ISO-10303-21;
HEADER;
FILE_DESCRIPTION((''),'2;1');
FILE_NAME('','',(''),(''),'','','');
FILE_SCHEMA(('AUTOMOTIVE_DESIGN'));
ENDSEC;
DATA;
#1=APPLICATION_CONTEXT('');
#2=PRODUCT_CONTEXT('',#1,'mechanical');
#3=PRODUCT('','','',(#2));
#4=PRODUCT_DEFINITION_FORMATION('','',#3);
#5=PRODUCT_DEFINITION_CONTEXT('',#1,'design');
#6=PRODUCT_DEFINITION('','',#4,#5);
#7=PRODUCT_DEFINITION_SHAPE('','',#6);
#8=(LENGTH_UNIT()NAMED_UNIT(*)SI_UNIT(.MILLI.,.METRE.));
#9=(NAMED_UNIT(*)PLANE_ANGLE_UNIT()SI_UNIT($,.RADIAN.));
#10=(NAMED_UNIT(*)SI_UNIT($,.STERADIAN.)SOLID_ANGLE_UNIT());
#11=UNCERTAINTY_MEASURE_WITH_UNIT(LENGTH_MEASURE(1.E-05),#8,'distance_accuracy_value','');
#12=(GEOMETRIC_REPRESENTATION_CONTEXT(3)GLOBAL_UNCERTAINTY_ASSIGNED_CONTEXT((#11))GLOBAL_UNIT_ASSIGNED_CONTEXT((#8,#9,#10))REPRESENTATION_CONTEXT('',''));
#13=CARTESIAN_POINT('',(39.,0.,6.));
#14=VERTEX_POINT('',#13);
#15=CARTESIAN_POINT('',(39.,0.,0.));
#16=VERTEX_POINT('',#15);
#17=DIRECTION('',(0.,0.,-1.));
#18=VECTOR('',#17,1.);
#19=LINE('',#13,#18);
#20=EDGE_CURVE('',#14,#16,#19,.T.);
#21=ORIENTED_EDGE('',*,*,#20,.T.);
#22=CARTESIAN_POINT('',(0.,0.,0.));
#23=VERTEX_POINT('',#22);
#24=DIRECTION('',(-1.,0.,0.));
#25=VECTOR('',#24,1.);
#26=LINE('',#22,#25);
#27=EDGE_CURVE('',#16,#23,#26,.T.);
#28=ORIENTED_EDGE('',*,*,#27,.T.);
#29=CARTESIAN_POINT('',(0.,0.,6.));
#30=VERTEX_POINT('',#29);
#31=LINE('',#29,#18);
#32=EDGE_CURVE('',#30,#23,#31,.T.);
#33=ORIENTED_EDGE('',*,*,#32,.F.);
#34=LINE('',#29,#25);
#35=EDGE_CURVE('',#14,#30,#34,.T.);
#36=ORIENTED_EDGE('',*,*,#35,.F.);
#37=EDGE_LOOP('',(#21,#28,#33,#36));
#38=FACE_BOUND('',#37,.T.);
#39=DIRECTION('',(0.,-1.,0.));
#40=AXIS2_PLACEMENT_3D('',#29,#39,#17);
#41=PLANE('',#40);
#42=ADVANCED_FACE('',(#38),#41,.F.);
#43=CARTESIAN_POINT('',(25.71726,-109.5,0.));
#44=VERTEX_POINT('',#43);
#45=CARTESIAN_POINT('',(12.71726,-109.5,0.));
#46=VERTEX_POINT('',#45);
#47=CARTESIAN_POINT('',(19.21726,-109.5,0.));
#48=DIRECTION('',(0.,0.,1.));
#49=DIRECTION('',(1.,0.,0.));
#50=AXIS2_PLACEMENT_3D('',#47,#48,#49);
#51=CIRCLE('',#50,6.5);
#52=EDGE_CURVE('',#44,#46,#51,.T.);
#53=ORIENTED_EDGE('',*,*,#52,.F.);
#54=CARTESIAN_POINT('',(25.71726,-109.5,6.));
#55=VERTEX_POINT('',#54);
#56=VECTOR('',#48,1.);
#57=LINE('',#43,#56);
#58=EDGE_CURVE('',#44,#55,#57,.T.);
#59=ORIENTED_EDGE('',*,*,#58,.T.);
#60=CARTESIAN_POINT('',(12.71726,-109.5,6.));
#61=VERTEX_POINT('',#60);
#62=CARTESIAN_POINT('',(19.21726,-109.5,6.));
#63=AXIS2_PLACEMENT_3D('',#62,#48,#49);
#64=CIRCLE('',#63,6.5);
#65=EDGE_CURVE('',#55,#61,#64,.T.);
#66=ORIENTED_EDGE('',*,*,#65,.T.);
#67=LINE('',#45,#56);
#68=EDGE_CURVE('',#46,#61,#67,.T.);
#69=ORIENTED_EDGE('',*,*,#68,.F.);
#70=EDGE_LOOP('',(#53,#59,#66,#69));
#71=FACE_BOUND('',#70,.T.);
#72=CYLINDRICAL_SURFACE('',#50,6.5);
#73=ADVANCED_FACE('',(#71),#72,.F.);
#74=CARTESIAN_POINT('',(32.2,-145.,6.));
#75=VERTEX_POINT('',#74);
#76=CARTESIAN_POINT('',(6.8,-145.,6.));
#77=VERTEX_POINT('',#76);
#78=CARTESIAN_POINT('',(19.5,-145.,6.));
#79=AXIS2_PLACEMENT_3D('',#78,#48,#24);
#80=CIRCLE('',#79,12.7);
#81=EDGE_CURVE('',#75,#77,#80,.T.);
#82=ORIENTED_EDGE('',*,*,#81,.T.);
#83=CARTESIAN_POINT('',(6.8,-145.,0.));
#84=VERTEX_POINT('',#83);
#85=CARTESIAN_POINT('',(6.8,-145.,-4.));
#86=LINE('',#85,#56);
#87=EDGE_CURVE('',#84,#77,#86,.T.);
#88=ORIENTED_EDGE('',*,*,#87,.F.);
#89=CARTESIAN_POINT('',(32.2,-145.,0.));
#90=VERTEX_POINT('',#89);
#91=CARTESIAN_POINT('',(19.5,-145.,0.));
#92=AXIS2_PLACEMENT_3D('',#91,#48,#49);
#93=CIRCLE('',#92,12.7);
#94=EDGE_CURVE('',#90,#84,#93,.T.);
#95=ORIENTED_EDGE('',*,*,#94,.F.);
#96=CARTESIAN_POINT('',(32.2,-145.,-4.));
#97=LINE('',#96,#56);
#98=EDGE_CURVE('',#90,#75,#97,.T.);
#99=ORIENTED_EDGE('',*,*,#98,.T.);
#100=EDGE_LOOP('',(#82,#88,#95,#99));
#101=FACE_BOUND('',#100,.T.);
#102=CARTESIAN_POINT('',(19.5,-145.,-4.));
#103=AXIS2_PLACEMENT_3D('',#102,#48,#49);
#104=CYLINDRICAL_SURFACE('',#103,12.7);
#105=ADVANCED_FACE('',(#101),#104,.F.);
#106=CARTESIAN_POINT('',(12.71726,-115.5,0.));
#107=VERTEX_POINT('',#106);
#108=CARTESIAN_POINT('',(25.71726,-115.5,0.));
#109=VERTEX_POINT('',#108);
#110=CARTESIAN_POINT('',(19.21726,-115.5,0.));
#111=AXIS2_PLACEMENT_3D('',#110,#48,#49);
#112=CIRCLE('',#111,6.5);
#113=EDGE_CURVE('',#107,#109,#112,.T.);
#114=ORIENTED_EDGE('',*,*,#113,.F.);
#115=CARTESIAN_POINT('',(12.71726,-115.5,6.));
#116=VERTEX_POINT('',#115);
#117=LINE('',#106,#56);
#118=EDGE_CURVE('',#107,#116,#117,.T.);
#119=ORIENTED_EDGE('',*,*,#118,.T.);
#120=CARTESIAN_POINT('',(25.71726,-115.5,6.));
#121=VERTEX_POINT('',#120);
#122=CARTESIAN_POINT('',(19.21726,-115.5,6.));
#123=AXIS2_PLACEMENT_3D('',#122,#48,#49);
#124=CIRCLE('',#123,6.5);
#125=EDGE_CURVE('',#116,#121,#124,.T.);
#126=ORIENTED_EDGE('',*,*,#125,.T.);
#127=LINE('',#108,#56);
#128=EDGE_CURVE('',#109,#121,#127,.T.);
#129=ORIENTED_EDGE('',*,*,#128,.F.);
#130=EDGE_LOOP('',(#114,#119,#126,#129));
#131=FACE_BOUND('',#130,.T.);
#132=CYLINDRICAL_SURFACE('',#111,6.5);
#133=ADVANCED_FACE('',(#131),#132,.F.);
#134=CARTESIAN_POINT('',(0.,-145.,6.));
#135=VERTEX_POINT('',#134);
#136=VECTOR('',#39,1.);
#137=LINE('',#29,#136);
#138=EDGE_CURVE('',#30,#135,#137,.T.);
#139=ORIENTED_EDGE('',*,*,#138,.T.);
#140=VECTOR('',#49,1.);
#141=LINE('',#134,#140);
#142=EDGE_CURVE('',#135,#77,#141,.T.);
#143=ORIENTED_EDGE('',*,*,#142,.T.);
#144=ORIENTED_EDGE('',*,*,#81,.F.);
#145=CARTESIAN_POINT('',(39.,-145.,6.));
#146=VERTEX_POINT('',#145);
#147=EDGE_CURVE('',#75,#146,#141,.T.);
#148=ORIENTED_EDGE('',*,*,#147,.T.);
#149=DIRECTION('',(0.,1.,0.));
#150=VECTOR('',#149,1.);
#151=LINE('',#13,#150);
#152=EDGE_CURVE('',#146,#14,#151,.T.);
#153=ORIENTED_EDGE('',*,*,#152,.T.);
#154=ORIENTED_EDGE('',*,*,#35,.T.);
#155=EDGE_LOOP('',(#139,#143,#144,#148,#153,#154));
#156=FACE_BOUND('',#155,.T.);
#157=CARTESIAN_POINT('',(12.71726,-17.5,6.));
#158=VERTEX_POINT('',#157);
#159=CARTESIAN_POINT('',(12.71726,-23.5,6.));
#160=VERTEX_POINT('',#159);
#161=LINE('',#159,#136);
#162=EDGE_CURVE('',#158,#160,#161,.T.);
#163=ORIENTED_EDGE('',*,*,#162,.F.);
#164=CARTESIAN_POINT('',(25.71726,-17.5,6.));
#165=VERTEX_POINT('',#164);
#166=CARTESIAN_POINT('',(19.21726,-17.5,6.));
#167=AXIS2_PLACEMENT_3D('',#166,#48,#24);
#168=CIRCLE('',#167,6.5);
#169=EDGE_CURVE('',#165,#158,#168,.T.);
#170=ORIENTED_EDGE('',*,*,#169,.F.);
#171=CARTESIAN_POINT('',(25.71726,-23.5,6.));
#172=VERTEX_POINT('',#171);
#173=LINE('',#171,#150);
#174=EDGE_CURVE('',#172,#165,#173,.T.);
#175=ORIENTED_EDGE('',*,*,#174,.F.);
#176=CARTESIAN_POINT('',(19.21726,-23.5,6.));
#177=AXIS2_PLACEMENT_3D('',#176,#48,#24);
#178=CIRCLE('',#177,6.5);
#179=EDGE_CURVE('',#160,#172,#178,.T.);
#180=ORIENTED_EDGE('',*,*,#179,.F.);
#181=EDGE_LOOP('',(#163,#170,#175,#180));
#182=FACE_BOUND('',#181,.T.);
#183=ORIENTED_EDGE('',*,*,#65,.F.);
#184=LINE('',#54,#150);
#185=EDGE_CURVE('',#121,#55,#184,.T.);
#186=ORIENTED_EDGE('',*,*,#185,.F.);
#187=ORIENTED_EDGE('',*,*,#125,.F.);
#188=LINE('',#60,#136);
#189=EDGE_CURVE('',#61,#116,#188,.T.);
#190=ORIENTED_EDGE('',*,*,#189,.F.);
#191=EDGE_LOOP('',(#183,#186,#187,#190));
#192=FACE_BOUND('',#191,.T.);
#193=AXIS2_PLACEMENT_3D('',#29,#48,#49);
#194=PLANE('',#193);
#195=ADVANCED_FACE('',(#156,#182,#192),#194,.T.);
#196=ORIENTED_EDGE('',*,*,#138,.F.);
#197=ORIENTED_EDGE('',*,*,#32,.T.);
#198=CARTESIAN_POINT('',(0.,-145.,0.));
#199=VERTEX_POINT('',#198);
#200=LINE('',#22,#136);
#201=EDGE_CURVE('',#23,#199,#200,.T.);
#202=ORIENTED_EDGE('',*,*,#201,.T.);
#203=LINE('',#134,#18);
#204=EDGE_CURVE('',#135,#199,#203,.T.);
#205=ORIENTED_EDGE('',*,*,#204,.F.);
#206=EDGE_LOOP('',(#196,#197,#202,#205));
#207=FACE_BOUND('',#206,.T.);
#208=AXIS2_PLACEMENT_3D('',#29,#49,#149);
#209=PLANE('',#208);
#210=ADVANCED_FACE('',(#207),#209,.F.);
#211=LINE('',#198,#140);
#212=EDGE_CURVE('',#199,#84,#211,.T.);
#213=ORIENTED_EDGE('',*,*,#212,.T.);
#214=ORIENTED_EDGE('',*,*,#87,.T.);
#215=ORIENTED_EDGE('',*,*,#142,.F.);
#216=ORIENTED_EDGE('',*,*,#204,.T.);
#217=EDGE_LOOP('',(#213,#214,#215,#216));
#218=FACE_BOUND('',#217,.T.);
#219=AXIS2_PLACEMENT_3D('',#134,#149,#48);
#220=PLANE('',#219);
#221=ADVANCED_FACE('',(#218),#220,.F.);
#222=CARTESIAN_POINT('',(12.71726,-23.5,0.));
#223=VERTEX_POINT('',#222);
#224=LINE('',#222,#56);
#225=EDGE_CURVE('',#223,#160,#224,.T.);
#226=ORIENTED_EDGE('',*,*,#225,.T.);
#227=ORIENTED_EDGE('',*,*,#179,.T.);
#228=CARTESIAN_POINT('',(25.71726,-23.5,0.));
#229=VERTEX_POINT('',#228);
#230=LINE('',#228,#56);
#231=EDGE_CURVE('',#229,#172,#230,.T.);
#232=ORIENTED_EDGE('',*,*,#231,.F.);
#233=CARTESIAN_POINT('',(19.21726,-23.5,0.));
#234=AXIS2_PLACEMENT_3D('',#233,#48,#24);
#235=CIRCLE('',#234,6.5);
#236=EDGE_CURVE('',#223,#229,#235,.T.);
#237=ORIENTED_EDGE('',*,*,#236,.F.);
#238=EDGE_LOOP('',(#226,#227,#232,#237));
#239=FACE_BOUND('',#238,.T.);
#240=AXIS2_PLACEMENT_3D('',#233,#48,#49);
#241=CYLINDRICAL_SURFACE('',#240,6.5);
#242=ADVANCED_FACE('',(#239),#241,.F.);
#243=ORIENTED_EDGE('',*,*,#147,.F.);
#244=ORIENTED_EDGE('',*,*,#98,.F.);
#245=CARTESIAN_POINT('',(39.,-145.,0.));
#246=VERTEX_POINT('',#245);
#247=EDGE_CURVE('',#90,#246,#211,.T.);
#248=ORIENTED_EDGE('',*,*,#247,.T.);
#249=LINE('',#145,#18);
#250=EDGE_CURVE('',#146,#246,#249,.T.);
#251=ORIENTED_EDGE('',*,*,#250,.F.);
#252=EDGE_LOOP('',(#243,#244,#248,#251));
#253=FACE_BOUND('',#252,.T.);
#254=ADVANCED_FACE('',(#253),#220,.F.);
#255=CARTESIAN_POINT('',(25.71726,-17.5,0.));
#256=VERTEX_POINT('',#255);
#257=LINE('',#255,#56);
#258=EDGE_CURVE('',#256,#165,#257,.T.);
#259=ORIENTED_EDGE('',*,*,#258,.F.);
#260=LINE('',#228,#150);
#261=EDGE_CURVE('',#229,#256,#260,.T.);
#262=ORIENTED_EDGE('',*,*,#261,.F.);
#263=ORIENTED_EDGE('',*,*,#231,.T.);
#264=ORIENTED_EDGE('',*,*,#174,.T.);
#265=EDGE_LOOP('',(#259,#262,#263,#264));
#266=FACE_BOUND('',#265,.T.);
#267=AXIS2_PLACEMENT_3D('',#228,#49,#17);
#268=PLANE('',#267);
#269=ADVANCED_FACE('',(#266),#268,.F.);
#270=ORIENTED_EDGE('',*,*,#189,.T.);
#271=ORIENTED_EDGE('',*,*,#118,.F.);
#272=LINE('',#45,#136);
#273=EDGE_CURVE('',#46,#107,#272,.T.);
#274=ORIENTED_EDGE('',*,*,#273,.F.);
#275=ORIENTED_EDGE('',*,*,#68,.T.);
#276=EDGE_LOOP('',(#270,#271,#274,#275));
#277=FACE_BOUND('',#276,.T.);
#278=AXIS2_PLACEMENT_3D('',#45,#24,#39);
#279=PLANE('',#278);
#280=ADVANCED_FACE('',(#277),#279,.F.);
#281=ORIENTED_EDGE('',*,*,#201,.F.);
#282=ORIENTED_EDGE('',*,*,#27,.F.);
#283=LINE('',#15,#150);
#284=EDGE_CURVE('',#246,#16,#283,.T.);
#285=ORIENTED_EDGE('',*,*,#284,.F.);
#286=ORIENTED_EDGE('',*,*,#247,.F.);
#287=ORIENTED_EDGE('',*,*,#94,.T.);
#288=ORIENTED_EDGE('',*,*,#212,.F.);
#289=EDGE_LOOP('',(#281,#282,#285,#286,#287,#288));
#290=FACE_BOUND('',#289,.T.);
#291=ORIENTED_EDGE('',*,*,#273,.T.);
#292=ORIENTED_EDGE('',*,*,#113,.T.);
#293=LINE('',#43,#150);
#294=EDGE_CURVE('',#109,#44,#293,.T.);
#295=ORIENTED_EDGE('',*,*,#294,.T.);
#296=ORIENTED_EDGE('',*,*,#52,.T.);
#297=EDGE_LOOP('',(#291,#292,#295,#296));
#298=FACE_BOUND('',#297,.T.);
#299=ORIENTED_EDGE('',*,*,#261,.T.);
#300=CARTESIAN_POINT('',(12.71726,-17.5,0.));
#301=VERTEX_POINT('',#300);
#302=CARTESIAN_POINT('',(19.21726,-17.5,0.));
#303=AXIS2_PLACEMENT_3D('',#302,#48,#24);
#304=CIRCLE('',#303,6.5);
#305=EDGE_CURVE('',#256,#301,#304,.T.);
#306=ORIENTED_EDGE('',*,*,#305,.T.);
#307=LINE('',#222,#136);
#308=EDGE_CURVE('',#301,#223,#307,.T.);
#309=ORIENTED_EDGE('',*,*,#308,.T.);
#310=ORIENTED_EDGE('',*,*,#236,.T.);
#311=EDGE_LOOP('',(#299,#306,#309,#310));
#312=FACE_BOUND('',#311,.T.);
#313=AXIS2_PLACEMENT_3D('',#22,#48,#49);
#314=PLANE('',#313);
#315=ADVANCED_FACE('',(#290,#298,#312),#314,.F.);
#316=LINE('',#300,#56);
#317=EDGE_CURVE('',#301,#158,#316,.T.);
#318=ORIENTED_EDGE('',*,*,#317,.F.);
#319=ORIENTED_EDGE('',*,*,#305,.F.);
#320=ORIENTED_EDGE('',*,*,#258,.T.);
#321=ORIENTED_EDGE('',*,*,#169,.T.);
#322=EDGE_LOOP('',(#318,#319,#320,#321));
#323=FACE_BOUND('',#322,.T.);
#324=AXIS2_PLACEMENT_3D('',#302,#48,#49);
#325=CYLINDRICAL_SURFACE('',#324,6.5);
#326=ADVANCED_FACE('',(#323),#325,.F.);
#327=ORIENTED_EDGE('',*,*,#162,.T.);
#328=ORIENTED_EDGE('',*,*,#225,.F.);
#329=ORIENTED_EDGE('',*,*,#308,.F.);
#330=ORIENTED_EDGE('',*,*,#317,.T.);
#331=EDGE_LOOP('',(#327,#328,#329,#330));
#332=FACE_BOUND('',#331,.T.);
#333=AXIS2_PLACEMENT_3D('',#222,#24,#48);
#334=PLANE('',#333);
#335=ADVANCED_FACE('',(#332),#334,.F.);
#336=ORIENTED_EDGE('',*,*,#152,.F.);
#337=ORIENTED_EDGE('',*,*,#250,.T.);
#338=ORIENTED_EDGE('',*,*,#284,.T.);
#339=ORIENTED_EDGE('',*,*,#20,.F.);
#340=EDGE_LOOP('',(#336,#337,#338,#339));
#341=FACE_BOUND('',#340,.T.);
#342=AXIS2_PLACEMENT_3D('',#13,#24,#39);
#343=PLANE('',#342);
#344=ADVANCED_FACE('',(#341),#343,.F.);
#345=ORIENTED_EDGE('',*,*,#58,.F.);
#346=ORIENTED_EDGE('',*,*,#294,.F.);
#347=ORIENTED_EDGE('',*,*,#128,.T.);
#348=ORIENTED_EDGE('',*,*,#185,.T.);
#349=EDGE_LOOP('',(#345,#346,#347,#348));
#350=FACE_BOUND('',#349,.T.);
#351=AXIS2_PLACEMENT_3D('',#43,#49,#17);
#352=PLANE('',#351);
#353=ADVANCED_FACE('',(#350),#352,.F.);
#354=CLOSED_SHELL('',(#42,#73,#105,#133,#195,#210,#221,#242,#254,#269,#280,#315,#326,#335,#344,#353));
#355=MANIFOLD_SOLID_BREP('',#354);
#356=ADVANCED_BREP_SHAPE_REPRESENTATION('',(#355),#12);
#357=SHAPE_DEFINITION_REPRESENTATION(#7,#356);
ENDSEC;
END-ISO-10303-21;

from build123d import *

# Parameters (mm, degrees)
SKETCH1_W           = 39
SKETCH1_H           = 145
BOSS_EXTRUDE1_DEPTH = 6
CUT_EXTRUDE2_DEPTH  = 6
CUT_EXTRUDE3_DEPTH  = 10


with BuildPart() as part:
    # Sketch1 → Boss-Extrude1 (new body)
    with BuildSketch(Plane.XY):
        with Locations((19.5, -72.5)):
            Rectangle(SKETCH1_W, SKETCH1_H)
    extrude(amount=BOSS_EXTRUDE1_DEPTH)

    # Sketch4 → Cut-Extrude2 (cut)
    with BuildSketch(Plane.XY.offset(6)):
        with BuildLine():
            Line((25.717260001, -109.5), (25.717260001, -115.5))
            ThreePointArc((25.717260001, -115.5), (19.217260001, -122), (12.717260001, -115.5))
            Line((12.717260001, -115.5), (12.717260001, -109.5))
            ThreePointArc((12.717260001, -109.5), (19.217260001, -103), (25.717260001, -109.5))
        make_face()
        with BuildLine():
            Line((25.717260001, -23.5), (25.717260001, -17.5))
            ThreePointArc((25.717260001, -17.5), (19.217260001, -11), (12.717260001, -17.5))
            Line((12.717260001, -17.5), (12.717260001, -23.5))
            ThreePointArc((12.717260001, -23.5), (19.217260001, -30), (25.717260001, -23.5))
        make_face()
    extrude(amount=-CUT_EXTRUDE2_DEPTH, mode=Mode.SUBTRACT)

    # Sketch5 → Cut-Extrude3 (cut)
    with BuildSketch(Plane.XY.offset(6)):
        with BuildLine():
            Line((6.8, -145), (32.2, -145))
            ThreePointArc((32.2, -145), (19.5, -132.3), (6.8, -145))
        make_face()
    extrude(amount=-CUT_EXTRUDE3_DEPTH, mode=Mode.SUBTRACT)


solid = part.part
